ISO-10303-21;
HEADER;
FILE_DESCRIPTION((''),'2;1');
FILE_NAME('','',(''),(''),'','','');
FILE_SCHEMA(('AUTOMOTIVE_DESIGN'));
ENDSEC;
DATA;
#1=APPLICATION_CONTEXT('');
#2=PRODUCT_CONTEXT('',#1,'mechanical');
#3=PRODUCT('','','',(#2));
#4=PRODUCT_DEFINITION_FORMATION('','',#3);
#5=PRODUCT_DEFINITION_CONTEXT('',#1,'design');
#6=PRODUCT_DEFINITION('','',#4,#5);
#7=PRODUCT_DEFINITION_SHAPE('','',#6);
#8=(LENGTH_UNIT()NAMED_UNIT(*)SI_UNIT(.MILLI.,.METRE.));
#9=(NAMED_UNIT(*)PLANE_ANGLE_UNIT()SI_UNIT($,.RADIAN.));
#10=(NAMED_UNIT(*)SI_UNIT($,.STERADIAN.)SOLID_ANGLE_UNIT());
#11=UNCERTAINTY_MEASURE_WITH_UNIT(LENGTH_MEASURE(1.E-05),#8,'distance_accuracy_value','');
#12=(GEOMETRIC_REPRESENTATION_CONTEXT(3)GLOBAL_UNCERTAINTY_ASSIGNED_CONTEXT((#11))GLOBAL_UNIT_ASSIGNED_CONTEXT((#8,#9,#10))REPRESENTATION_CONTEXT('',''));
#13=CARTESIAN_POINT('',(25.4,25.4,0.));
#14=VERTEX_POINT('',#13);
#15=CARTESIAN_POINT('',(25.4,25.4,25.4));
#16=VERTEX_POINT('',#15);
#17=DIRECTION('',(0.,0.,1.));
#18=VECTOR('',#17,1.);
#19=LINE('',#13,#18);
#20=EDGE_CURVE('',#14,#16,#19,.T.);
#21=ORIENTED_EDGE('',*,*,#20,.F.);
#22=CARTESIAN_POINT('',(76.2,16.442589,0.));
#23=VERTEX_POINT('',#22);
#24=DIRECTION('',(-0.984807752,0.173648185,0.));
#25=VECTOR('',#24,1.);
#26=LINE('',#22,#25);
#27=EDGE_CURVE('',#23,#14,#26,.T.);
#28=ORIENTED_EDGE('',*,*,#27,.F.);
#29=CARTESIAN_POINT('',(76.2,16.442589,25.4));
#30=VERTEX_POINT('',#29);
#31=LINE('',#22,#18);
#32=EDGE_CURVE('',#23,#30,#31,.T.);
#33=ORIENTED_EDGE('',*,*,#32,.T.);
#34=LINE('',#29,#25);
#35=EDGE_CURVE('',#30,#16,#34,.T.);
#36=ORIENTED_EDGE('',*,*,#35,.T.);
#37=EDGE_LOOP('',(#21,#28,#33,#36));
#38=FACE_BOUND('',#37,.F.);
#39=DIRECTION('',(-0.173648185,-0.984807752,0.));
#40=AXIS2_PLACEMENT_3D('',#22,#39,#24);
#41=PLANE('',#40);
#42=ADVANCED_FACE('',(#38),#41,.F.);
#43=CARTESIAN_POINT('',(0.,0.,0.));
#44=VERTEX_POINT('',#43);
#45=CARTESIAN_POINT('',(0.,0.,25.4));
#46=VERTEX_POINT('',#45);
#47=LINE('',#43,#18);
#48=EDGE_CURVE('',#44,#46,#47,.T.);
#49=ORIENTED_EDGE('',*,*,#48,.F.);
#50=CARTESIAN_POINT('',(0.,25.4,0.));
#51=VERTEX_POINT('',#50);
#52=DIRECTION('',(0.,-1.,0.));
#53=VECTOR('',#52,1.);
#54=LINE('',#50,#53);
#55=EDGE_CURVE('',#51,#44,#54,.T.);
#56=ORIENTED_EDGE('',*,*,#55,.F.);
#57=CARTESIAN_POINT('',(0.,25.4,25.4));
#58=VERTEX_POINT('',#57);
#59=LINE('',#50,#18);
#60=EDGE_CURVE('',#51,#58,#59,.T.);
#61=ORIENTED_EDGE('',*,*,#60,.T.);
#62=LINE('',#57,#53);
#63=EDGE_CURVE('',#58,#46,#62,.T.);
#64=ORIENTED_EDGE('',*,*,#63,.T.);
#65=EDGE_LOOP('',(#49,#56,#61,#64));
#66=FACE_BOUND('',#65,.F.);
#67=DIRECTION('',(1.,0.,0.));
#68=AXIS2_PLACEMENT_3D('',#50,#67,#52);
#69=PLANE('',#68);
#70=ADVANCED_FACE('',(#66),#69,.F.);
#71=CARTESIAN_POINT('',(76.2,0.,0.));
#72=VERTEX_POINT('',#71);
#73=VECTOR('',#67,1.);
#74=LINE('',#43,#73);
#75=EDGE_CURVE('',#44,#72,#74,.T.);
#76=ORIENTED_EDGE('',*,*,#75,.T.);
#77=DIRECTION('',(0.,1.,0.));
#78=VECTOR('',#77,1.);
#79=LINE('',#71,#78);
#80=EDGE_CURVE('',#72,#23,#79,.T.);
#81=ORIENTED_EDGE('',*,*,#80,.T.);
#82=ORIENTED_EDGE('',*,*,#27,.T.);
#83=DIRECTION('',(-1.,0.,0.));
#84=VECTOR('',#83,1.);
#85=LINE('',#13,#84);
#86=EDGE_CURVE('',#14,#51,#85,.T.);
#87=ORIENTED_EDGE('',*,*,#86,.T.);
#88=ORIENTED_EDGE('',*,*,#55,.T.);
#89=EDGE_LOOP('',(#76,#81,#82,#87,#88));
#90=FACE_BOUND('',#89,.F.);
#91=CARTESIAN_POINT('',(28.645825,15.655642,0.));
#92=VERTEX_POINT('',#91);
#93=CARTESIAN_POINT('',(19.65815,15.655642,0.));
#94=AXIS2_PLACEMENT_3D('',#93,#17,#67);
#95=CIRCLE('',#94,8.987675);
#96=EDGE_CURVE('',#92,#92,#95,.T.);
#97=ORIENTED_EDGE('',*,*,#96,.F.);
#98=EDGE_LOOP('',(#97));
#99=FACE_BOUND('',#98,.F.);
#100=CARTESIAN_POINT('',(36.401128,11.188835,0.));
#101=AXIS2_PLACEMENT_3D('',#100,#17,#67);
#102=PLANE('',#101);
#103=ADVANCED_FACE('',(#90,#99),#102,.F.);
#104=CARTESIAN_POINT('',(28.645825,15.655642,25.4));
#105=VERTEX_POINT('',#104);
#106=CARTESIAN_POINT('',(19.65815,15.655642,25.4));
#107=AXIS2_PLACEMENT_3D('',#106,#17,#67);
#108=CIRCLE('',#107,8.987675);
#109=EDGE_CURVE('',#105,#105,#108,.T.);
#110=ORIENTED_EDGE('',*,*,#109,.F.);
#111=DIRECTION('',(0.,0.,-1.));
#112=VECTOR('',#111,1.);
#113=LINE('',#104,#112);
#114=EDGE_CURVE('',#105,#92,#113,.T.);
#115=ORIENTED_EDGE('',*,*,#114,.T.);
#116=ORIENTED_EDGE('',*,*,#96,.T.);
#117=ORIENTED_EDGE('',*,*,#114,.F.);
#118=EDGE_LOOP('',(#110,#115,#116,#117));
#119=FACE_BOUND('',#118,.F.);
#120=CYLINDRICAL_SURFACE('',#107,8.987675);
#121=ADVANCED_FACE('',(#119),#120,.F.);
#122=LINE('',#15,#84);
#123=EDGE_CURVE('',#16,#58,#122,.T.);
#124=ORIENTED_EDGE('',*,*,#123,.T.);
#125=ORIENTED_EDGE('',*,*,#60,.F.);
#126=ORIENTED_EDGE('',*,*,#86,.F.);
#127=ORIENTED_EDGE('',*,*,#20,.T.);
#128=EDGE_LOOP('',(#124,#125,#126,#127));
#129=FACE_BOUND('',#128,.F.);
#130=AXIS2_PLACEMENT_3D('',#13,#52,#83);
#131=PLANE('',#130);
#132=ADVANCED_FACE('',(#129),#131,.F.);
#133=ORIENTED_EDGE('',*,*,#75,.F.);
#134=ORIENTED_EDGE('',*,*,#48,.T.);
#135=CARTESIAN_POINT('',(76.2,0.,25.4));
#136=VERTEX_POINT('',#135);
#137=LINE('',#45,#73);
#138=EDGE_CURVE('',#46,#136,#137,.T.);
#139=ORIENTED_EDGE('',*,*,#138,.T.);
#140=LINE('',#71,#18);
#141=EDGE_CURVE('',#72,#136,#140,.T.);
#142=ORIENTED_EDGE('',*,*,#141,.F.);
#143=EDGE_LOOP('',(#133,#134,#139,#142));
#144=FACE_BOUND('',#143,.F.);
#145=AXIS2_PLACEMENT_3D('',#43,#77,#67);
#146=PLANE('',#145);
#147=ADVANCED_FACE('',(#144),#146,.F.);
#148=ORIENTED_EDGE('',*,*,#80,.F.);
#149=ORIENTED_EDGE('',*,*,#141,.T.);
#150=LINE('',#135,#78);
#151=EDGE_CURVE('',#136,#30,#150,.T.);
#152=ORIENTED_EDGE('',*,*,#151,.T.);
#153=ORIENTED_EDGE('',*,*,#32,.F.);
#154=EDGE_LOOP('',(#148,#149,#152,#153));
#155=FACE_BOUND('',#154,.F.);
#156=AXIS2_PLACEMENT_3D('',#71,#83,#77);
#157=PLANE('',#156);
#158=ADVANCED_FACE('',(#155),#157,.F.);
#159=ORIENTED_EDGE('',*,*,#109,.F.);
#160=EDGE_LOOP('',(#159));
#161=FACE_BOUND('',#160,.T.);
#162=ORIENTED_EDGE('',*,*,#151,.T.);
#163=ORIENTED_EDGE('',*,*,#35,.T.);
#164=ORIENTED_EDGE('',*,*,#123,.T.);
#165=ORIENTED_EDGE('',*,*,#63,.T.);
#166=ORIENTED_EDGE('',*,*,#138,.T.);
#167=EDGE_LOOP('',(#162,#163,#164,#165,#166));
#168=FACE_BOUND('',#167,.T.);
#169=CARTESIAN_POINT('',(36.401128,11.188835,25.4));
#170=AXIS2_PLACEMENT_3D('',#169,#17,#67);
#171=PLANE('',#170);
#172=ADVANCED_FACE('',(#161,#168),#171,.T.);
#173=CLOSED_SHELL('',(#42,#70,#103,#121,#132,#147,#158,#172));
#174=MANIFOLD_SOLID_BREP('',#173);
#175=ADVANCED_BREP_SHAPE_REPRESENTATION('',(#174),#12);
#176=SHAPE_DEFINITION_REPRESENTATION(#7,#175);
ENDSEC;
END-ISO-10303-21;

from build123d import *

# Parameters (mm, degrees)
F1_DEPTH = 25.4
F2_R     = 8.987675
F3_DEPTH = 84.836


with BuildPart() as f1:
    # F0 (on Top) → F1 (new body)
    with BuildSketch(Plane.XY):
        Polygon((0, 25.4), (0, 0), (76.2, 0), (76.2, 16.442589), (25.4, 25.4), align=None)
    extrude(amount=F1_DEPTH)

    # F2 (on face) → F3 (cut)
    with BuildSketch(Plane.XY.offset(25.4)):
        with Locations((19.65815, 15.655642)):
            Circle(F2_R)
    extrude(amount=-F3_DEPTH, mode=Mode.SUBTRACT)


solid = f1.part
